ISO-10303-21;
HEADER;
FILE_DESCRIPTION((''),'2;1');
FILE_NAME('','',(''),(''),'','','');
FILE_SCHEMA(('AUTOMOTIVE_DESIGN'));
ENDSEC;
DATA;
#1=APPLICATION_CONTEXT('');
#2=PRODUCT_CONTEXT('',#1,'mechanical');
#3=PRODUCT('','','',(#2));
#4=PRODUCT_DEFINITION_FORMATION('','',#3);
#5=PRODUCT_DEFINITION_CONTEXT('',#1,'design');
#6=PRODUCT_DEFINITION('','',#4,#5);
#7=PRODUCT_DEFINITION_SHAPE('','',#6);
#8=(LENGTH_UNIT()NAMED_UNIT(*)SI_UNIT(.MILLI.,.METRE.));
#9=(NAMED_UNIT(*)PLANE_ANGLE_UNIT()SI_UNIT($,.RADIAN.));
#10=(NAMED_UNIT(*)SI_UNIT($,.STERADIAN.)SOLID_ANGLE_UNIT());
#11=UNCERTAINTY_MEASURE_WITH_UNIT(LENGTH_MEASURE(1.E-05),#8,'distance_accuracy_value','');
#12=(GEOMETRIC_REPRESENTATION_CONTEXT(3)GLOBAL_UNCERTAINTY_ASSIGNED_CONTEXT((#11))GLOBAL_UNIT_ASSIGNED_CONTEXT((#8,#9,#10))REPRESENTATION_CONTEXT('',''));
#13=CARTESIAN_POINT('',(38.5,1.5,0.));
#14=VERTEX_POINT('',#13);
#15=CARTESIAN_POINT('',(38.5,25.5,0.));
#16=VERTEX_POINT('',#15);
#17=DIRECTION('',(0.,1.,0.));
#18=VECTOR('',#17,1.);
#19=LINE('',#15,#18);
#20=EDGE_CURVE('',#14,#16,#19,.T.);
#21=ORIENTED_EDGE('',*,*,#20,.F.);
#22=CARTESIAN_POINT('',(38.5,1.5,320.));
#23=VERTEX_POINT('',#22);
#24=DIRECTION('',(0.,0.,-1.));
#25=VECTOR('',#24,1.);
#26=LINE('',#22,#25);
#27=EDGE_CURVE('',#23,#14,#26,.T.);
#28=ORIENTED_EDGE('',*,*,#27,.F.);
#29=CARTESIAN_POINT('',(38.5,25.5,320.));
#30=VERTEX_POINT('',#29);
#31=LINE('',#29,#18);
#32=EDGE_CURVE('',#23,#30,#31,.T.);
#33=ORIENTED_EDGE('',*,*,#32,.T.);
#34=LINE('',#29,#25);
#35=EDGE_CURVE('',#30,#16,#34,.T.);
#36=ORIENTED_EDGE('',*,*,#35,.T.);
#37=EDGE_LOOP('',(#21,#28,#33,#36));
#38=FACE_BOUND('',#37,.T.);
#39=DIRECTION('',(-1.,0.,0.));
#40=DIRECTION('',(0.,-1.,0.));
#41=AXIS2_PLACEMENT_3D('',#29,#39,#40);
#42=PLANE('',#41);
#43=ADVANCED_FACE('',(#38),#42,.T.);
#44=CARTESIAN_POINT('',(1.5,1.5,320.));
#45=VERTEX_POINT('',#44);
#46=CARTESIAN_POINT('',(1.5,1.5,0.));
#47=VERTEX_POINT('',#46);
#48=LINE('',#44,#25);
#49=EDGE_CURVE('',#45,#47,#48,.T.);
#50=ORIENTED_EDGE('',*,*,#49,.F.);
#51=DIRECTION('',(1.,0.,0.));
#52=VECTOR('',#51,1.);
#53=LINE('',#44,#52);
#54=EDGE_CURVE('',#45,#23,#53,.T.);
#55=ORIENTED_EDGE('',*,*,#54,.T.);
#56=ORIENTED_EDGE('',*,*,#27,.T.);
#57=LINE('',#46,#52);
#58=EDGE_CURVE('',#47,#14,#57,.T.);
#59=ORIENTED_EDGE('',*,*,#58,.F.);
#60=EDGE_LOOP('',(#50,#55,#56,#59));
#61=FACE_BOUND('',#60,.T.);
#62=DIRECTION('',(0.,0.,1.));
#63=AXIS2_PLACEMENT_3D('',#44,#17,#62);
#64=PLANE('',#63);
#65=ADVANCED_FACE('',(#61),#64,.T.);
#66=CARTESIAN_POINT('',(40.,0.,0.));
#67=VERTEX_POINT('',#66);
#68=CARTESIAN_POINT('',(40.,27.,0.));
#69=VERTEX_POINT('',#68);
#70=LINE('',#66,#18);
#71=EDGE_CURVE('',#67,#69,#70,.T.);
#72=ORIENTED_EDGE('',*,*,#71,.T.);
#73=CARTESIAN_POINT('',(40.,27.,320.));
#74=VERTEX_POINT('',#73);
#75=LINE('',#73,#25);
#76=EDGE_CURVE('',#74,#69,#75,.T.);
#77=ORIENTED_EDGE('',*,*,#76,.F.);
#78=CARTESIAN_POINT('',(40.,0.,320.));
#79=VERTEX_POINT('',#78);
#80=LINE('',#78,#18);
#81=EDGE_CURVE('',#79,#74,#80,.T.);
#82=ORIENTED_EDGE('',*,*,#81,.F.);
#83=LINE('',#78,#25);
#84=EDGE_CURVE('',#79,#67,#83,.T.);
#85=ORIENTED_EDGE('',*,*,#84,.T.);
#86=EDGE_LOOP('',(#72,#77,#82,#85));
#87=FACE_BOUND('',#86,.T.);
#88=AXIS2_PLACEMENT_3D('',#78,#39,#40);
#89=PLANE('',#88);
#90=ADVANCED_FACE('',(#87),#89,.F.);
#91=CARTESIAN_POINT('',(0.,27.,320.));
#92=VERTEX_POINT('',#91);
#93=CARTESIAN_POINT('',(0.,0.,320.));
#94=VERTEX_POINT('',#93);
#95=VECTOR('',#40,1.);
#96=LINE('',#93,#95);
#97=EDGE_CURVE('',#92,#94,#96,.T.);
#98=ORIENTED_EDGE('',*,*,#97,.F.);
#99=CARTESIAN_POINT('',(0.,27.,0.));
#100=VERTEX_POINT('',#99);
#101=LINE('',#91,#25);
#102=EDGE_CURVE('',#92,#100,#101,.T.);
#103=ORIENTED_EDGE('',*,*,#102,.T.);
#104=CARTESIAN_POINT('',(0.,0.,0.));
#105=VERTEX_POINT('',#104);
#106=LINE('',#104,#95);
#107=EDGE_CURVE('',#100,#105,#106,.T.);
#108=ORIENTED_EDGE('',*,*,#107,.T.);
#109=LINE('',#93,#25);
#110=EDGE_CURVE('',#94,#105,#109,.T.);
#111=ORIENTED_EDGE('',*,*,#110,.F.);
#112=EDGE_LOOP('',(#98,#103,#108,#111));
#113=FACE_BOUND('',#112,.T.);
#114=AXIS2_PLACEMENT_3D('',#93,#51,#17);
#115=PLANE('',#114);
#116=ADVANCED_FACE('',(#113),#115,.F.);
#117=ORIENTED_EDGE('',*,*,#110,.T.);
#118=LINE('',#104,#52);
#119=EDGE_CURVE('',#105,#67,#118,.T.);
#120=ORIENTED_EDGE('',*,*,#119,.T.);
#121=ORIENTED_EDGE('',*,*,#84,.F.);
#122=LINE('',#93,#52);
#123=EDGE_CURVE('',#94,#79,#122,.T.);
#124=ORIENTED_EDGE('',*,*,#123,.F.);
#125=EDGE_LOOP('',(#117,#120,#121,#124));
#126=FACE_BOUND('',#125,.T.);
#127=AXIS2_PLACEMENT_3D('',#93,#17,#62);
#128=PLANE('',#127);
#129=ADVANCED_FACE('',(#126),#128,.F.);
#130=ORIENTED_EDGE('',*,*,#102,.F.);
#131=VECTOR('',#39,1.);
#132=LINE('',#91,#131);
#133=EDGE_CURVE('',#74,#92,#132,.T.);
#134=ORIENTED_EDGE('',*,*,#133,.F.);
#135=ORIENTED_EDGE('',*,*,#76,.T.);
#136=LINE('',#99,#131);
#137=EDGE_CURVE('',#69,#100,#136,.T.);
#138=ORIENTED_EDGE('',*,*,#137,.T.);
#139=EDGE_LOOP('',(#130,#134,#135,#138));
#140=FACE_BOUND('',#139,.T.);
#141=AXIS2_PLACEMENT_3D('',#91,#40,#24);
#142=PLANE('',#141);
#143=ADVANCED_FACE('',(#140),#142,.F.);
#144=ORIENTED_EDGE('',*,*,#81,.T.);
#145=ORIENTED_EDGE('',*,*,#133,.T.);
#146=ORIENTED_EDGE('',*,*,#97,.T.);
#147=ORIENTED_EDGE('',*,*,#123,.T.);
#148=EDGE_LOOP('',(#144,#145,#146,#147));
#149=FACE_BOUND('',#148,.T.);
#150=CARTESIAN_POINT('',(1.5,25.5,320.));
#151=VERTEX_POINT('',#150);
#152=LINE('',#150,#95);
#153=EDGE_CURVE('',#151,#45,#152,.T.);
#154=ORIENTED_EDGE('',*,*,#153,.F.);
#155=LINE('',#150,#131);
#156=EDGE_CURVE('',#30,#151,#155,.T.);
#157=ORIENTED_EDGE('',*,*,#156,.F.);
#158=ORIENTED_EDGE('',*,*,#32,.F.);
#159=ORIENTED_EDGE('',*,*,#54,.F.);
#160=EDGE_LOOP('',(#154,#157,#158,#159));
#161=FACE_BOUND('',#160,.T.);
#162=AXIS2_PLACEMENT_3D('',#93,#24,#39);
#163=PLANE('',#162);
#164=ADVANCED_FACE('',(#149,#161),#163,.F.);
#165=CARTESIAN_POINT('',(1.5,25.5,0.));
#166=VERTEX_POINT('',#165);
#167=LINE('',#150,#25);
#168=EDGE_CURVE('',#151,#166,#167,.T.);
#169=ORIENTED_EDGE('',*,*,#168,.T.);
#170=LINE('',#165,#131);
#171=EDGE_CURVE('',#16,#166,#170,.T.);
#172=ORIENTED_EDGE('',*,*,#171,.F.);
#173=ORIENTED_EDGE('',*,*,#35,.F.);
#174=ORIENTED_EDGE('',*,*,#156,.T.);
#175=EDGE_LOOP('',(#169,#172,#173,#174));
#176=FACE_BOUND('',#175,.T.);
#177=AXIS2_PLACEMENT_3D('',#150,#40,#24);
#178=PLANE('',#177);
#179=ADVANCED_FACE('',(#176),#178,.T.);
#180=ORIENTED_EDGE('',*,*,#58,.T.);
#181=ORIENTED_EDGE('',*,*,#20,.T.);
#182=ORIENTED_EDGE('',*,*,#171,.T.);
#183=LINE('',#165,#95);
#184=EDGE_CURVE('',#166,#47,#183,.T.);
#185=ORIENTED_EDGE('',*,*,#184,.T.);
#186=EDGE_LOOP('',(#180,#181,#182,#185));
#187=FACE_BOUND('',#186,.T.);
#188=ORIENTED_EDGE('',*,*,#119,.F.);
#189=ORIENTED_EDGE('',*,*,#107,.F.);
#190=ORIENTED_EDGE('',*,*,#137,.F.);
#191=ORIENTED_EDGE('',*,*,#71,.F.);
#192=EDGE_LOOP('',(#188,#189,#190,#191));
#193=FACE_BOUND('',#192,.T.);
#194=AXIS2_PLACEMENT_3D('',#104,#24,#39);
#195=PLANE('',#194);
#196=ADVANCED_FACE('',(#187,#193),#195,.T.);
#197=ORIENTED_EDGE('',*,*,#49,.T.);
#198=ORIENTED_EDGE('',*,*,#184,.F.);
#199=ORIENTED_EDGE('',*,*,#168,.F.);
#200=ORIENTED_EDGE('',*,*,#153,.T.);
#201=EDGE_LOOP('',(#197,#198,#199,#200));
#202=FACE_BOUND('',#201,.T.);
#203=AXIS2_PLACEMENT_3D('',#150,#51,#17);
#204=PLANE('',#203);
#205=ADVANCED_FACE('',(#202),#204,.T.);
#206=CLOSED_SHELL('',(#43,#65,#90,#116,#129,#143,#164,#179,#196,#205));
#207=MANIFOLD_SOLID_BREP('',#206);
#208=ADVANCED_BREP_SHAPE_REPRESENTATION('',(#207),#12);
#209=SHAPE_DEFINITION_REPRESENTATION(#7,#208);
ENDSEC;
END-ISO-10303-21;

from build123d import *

# Parameters (mm, degrees)
ESQUISSE1_W        = 40
ESQUISSE1_H        = 27
ESQUISSE1_W_2      = 37
ESQUISSE1_H_2      = 24
BOSS_EXTRU_1_DEPTH = 320


with BuildPart() as part:
    # Esquisse1 → Boss.-Extru.1 (new body)
    with BuildSketch(Plane.XY):
        with Locations((20, 13.5)):
            Rectangle(ESQUISSE1_W, ESQUISSE1_H)
        with Locations((20, 13.5)):
            Rectangle(ESQUISSE1_W_2, ESQUISSE1_H_2, mode=Mode.SUBTRACT)
    extrude(amount=BOSS_EXTRU_1_DEPTH)


solid = part.part
